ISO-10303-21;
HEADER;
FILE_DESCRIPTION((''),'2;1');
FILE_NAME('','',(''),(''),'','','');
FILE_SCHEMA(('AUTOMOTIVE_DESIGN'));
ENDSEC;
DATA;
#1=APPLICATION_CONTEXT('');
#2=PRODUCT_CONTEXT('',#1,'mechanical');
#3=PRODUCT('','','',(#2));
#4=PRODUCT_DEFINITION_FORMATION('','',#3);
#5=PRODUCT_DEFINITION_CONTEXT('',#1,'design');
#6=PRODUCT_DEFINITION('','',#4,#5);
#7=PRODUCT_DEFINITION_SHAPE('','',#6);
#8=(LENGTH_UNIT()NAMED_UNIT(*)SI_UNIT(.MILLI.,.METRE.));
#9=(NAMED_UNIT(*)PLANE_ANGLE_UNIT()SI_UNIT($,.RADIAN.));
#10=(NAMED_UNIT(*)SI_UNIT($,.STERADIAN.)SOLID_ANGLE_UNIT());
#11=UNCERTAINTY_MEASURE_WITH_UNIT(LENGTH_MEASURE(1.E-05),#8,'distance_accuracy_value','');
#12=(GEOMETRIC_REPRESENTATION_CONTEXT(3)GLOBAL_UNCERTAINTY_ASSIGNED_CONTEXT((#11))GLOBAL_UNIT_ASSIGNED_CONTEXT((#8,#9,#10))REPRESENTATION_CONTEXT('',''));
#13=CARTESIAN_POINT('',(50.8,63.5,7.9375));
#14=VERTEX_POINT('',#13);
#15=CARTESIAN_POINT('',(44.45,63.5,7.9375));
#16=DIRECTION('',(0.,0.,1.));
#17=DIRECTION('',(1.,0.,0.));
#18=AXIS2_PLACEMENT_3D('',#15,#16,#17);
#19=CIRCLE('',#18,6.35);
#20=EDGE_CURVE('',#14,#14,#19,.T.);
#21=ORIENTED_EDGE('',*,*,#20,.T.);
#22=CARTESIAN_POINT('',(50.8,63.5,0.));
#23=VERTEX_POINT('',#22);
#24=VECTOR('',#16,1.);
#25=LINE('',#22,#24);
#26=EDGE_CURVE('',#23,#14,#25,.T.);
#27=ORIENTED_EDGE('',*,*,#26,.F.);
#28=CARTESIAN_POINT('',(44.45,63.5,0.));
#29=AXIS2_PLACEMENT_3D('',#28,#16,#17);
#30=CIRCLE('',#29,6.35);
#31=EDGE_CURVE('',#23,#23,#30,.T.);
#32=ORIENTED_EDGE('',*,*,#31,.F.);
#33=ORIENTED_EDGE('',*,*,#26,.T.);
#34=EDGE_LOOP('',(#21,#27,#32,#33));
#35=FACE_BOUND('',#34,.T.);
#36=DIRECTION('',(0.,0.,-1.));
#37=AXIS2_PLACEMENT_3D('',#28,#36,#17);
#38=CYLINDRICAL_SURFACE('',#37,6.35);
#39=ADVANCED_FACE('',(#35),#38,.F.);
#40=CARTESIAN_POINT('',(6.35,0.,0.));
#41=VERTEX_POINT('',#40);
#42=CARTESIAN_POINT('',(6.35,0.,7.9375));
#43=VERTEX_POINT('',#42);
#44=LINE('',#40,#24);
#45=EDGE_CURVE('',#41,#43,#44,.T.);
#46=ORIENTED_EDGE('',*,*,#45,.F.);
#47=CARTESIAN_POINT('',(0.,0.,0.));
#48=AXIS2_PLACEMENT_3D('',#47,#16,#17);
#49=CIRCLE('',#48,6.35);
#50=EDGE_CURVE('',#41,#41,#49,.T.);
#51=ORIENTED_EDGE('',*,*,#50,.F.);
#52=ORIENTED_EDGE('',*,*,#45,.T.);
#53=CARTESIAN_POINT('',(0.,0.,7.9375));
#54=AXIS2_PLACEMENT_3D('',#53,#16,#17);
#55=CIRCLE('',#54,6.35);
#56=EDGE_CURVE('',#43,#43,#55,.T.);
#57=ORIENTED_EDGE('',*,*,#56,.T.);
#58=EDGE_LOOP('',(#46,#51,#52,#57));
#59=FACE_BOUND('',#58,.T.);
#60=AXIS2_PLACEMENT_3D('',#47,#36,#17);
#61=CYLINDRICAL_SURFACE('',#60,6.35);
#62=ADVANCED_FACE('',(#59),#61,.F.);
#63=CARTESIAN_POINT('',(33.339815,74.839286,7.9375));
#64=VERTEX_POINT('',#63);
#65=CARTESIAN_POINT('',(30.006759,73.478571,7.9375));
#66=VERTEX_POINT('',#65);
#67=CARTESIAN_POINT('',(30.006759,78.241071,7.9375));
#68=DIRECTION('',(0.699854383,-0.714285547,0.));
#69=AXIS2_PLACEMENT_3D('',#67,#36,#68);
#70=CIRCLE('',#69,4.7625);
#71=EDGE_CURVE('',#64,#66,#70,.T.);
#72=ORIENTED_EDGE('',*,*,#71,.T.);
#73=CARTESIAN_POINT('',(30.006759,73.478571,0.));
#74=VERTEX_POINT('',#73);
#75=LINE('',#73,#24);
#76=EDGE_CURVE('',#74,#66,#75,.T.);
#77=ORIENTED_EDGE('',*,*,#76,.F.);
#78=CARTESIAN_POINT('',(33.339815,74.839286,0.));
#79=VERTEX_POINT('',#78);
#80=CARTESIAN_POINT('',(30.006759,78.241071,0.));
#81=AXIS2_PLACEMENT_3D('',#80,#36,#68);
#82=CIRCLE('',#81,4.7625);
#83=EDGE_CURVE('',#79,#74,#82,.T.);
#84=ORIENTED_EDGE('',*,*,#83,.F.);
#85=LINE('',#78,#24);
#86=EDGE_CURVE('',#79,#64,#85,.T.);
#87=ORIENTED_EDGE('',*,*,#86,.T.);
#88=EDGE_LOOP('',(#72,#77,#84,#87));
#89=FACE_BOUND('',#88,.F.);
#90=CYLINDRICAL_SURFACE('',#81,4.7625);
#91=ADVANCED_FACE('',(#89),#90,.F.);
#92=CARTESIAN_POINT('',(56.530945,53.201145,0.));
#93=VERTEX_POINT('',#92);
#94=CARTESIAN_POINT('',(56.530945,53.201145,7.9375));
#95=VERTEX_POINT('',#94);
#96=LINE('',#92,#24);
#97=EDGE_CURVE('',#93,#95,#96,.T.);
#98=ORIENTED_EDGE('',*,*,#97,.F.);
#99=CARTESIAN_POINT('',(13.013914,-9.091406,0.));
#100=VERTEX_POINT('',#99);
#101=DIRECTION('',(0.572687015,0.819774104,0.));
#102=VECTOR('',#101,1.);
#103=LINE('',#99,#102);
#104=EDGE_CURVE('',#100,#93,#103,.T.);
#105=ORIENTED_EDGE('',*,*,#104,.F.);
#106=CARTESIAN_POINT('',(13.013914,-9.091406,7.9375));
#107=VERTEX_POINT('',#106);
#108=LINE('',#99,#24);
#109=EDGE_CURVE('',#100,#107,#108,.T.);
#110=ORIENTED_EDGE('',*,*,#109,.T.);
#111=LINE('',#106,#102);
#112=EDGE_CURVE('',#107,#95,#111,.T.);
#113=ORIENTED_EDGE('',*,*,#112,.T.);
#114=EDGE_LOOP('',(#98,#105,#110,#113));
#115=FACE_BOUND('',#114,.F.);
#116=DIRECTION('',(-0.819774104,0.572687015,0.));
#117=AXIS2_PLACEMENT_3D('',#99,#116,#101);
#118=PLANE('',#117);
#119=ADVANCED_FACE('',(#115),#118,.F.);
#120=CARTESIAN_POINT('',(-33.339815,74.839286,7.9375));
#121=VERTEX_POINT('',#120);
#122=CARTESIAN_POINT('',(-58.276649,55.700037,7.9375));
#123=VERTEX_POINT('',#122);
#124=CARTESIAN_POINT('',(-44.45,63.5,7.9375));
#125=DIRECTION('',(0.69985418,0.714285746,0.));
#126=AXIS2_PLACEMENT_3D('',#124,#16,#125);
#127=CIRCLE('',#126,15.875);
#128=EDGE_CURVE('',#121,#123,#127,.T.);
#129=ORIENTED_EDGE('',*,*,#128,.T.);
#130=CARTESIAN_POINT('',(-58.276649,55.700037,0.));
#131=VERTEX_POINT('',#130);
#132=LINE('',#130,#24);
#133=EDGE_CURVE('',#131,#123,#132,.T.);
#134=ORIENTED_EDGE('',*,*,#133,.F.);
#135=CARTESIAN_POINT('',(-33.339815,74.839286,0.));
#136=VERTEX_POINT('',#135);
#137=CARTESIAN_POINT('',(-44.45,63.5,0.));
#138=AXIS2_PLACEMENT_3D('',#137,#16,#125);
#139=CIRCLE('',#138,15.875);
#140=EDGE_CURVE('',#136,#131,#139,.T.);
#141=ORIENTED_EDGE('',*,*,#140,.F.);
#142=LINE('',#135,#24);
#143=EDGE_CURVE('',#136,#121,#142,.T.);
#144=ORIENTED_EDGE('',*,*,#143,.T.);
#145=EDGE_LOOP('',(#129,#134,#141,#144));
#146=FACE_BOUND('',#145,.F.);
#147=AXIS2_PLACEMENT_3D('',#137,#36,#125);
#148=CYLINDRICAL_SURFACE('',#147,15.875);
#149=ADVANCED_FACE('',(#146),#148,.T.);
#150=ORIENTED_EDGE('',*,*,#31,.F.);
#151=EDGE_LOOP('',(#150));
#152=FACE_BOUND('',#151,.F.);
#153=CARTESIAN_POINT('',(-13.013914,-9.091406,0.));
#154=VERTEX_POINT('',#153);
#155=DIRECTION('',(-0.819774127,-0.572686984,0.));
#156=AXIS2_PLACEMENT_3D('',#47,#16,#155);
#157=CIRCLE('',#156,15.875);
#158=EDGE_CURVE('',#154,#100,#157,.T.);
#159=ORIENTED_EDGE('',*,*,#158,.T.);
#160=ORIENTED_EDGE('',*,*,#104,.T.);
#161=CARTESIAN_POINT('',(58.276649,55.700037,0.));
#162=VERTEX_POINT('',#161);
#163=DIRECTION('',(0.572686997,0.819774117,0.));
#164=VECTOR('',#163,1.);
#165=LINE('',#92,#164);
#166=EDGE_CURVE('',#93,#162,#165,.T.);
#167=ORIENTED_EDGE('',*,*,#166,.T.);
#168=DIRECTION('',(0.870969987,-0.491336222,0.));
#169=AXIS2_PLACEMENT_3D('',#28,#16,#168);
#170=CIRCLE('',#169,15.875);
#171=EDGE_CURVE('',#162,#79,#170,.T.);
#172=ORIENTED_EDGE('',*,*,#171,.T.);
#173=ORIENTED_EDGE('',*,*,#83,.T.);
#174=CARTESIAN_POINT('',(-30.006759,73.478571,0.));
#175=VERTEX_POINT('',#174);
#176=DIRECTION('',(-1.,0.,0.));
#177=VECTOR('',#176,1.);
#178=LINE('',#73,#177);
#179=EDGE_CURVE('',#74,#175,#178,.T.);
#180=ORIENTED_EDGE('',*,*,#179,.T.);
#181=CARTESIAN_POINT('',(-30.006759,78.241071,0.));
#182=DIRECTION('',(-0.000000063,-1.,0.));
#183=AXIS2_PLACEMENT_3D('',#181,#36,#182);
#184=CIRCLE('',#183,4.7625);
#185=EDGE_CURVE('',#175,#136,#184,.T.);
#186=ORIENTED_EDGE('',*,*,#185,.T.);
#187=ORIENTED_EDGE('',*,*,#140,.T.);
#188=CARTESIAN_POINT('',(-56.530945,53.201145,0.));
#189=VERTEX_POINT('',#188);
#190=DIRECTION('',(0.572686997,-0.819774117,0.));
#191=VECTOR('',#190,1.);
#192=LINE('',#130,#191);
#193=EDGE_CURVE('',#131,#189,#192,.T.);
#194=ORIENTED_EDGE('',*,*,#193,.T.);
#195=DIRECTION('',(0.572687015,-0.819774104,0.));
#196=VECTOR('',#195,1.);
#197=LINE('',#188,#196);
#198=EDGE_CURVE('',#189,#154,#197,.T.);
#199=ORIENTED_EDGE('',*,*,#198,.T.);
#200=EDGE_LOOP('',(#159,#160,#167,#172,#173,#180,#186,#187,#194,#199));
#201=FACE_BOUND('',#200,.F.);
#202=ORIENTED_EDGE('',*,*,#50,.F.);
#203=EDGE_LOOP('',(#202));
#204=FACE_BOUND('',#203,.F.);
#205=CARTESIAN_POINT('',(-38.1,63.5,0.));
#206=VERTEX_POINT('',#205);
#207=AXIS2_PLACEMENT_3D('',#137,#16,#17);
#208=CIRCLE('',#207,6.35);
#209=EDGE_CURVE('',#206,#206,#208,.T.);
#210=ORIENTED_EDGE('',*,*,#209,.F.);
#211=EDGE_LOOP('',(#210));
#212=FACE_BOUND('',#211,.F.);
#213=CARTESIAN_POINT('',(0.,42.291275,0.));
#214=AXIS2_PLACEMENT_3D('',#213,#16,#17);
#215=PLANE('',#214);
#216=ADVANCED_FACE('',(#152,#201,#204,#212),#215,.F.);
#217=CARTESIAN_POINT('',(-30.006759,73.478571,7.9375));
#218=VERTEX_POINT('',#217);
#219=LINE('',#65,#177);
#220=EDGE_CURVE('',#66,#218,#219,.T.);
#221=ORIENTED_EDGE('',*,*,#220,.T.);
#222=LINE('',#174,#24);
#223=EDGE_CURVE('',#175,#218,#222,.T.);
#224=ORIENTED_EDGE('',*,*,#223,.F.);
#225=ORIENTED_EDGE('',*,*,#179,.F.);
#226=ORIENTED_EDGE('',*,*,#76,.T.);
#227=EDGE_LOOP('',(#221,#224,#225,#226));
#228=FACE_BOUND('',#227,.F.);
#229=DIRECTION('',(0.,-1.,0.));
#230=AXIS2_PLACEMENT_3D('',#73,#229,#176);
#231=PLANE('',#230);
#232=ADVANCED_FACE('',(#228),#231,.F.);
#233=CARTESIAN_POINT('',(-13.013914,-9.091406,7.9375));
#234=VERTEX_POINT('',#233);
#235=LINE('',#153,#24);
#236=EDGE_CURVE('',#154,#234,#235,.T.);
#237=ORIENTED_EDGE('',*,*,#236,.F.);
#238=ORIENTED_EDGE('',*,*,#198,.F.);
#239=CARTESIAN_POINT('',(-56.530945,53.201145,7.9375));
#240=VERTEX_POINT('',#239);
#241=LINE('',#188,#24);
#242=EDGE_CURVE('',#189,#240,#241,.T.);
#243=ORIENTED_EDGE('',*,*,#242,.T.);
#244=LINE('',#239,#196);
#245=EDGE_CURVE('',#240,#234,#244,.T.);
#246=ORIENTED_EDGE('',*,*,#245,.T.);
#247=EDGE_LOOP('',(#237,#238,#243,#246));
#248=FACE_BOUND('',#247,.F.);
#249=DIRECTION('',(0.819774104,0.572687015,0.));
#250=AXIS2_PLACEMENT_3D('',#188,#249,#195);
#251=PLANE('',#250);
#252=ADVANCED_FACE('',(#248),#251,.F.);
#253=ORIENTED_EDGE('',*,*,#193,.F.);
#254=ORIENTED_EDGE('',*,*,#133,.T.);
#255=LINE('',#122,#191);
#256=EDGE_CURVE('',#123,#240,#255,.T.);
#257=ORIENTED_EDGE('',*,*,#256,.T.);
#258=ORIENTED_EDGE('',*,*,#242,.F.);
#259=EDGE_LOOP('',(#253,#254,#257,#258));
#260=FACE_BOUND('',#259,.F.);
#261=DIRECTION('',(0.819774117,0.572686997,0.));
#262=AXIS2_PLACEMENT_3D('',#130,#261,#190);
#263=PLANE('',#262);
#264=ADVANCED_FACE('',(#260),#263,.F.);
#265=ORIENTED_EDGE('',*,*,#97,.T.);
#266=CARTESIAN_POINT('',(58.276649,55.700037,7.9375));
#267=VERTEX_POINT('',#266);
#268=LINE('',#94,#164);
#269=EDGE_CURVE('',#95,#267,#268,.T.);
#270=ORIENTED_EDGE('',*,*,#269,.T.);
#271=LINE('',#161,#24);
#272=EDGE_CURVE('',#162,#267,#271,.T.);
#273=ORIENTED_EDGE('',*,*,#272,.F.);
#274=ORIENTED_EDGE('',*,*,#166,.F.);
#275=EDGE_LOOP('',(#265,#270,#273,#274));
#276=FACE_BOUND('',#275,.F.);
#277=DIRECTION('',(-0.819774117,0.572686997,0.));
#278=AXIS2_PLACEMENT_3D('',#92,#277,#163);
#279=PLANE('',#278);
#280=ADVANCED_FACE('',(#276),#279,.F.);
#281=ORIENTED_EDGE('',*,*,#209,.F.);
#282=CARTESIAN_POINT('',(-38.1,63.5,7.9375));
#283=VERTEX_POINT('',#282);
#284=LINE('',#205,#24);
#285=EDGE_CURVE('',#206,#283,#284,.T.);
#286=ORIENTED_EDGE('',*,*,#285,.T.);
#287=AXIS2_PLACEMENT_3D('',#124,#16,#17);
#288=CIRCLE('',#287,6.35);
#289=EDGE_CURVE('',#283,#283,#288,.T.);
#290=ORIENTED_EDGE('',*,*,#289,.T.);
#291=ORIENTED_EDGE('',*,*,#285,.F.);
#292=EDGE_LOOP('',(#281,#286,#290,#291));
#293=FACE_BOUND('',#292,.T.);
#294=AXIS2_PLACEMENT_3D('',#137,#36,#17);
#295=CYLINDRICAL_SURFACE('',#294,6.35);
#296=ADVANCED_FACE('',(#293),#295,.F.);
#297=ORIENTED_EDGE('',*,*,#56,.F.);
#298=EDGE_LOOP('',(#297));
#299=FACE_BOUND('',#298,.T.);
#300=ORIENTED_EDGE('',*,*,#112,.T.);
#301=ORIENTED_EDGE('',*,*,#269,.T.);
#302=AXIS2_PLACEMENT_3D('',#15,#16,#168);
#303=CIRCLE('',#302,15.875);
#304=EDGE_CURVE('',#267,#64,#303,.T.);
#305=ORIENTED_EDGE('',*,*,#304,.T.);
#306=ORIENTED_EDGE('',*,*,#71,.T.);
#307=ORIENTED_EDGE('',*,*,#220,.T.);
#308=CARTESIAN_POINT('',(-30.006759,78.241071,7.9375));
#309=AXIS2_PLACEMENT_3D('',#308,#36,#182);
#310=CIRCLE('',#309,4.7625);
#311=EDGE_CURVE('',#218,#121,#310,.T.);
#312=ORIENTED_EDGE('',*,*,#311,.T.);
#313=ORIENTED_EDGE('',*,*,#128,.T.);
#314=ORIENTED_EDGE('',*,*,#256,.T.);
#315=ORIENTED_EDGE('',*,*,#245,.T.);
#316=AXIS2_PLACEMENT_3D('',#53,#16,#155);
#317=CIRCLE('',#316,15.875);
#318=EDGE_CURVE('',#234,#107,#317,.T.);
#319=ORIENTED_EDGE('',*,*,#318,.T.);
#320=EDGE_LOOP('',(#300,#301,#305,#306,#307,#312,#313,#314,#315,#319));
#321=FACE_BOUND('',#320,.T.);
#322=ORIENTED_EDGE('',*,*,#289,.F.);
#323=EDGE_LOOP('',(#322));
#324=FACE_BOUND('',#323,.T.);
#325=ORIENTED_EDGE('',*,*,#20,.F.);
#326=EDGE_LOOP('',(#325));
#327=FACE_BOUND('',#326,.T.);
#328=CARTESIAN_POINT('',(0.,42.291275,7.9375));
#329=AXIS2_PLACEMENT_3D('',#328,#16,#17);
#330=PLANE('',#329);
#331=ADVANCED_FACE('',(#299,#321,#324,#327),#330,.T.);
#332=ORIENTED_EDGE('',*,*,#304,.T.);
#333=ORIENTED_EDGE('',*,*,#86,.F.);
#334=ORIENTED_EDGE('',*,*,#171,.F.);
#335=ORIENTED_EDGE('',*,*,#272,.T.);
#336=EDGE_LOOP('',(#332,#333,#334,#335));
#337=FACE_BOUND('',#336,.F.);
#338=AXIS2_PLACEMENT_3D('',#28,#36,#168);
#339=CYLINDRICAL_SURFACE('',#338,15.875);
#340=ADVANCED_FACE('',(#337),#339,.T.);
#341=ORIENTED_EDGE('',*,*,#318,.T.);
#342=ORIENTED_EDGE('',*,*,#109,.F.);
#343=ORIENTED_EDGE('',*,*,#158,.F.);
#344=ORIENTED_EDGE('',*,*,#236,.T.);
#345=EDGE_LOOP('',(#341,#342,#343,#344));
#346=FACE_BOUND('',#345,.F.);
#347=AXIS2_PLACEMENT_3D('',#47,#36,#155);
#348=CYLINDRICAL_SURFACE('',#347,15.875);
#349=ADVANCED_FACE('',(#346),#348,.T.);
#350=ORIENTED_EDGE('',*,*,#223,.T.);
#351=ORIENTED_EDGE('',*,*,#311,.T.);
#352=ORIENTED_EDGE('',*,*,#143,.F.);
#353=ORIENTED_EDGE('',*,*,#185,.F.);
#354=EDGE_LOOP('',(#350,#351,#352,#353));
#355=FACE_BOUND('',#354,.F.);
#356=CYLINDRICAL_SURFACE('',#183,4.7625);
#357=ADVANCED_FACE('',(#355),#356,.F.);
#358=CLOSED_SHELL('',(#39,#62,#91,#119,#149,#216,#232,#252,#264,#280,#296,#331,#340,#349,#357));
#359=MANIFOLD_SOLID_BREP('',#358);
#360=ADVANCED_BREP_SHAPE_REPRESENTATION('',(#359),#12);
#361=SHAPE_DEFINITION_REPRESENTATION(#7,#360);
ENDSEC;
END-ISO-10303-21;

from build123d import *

# Parameters (mm, degrees)
F0_R     = 6.35
F1_DEPTH = 7.9375


with BuildPart() as f1:
    # F0 (on Top) → F1 (new body)
    with BuildSketch(Plane.XY):
        with BuildLine():
            Line((-56.530945, 53.201145), (-13.013914, -9.091406))
            ThreePointArc((-13.013914, -9.091406), (0, -15.875), (13.013914, -9.091406))
            Line((13.013914, -9.091406), (56.530945, 53.201145))
            Line((56.530945, 53.201145), (58.276649, 55.700037))
            ThreePointArc((58.276649, 55.700037), (54.115532, 76.093376), (33.339815, 74.839286))
            ThreePointArc((33.339815, 74.839286), (31.806815, 73.831853), (30.006759, 73.478571))
            Line((30.006759, 73.478571), (-30.006759, 73.478571))
            ThreePointArc((-30.006759, 73.478571), (-31.806815, 73.831853), (-33.339815, 74.839286))
            ThreePointArc((-33.339815, 74.839286), (-54.115532, 76.093376), (-58.276649, 55.700037))
            Line((-58.276649, 55.700037), (-56.530945, 53.201145))
        make_face()
        Circle(F0_R, mode=Mode.SUBTRACT)
        with Locations((-44.45, 63.5)):
            Circle(F0_R, mode=Mode.SUBTRACT)
        with Locations((44.45, 63.5)):
            Circle(F0_R, mode=Mode.SUBTRACT)
    extrude(amount=F1_DEPTH)


solid = f1.part
